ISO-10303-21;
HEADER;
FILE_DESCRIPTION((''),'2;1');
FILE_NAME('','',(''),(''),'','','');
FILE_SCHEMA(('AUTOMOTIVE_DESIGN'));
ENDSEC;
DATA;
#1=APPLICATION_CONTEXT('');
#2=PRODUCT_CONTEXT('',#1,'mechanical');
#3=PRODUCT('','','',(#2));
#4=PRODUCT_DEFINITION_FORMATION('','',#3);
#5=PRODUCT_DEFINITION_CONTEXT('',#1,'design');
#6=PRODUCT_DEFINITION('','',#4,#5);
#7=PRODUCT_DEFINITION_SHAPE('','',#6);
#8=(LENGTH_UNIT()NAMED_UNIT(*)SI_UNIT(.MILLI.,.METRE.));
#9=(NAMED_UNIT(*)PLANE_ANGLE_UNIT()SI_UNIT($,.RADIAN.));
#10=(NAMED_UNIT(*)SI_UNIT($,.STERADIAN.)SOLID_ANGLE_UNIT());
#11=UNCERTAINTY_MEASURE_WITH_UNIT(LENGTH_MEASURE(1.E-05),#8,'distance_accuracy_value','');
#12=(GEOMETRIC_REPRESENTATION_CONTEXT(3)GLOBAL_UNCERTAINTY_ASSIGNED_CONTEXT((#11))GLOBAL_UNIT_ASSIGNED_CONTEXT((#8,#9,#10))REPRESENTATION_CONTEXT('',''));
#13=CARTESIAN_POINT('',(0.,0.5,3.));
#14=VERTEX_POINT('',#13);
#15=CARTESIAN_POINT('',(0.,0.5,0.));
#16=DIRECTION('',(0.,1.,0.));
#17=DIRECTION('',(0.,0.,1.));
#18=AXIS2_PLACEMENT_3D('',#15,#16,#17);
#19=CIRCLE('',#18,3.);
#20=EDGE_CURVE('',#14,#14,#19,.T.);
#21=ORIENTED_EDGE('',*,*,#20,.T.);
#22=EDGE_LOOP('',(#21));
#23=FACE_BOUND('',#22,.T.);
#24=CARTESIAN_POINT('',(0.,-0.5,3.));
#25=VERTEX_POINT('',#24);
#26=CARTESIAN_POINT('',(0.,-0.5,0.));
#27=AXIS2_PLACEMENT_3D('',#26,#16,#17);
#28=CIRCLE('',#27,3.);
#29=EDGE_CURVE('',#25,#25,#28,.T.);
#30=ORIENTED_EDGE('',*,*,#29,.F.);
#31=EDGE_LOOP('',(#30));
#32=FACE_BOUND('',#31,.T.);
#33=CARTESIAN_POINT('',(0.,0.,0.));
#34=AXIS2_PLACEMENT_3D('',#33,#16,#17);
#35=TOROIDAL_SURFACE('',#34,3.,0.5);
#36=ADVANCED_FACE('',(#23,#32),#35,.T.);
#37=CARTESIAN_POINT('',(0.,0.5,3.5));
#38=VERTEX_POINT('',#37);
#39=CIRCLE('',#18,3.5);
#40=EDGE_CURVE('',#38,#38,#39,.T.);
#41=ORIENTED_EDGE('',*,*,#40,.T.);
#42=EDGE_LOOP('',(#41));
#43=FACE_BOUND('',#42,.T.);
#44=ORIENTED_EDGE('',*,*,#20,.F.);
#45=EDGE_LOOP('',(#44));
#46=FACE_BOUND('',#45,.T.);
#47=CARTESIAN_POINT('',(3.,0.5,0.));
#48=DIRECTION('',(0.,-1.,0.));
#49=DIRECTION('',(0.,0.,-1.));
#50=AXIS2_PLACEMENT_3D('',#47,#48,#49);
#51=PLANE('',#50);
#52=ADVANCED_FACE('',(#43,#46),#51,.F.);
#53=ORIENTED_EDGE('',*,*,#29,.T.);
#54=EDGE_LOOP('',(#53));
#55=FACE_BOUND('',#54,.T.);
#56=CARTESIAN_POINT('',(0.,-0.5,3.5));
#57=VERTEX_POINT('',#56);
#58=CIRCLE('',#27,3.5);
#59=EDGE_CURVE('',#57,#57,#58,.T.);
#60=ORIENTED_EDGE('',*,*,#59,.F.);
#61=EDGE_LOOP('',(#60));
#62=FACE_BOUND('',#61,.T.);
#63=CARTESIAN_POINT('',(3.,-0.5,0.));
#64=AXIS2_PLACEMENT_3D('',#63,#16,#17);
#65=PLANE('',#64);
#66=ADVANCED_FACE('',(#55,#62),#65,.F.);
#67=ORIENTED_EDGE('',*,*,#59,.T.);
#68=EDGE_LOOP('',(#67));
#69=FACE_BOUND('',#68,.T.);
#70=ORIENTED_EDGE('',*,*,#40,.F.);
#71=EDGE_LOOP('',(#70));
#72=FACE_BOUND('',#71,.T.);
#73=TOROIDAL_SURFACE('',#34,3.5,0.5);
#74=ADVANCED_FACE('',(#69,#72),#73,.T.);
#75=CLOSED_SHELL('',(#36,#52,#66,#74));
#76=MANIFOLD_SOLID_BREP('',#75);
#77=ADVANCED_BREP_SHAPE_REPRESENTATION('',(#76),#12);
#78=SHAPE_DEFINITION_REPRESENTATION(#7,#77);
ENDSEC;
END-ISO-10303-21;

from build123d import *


with BuildPart() as part:
    # ProfileS → Profile (revolve)
    with BuildSketch(Plane.XY):
        with BuildLine():
            Line((3, 0.5), (3.5, 0.5))
            ThreePointArc((3.5, 0.5), (4, 0), (3.5, -0.5))
            Line((3.5, -0.5), (3, -0.5))
            ThreePointArc((3, -0.5), (2.5, 0), (3, 0.5))
        make_face()
    revolve(axis=Axis((0, 0.5, 0), (0, -1, 0)))


solid = part.part
